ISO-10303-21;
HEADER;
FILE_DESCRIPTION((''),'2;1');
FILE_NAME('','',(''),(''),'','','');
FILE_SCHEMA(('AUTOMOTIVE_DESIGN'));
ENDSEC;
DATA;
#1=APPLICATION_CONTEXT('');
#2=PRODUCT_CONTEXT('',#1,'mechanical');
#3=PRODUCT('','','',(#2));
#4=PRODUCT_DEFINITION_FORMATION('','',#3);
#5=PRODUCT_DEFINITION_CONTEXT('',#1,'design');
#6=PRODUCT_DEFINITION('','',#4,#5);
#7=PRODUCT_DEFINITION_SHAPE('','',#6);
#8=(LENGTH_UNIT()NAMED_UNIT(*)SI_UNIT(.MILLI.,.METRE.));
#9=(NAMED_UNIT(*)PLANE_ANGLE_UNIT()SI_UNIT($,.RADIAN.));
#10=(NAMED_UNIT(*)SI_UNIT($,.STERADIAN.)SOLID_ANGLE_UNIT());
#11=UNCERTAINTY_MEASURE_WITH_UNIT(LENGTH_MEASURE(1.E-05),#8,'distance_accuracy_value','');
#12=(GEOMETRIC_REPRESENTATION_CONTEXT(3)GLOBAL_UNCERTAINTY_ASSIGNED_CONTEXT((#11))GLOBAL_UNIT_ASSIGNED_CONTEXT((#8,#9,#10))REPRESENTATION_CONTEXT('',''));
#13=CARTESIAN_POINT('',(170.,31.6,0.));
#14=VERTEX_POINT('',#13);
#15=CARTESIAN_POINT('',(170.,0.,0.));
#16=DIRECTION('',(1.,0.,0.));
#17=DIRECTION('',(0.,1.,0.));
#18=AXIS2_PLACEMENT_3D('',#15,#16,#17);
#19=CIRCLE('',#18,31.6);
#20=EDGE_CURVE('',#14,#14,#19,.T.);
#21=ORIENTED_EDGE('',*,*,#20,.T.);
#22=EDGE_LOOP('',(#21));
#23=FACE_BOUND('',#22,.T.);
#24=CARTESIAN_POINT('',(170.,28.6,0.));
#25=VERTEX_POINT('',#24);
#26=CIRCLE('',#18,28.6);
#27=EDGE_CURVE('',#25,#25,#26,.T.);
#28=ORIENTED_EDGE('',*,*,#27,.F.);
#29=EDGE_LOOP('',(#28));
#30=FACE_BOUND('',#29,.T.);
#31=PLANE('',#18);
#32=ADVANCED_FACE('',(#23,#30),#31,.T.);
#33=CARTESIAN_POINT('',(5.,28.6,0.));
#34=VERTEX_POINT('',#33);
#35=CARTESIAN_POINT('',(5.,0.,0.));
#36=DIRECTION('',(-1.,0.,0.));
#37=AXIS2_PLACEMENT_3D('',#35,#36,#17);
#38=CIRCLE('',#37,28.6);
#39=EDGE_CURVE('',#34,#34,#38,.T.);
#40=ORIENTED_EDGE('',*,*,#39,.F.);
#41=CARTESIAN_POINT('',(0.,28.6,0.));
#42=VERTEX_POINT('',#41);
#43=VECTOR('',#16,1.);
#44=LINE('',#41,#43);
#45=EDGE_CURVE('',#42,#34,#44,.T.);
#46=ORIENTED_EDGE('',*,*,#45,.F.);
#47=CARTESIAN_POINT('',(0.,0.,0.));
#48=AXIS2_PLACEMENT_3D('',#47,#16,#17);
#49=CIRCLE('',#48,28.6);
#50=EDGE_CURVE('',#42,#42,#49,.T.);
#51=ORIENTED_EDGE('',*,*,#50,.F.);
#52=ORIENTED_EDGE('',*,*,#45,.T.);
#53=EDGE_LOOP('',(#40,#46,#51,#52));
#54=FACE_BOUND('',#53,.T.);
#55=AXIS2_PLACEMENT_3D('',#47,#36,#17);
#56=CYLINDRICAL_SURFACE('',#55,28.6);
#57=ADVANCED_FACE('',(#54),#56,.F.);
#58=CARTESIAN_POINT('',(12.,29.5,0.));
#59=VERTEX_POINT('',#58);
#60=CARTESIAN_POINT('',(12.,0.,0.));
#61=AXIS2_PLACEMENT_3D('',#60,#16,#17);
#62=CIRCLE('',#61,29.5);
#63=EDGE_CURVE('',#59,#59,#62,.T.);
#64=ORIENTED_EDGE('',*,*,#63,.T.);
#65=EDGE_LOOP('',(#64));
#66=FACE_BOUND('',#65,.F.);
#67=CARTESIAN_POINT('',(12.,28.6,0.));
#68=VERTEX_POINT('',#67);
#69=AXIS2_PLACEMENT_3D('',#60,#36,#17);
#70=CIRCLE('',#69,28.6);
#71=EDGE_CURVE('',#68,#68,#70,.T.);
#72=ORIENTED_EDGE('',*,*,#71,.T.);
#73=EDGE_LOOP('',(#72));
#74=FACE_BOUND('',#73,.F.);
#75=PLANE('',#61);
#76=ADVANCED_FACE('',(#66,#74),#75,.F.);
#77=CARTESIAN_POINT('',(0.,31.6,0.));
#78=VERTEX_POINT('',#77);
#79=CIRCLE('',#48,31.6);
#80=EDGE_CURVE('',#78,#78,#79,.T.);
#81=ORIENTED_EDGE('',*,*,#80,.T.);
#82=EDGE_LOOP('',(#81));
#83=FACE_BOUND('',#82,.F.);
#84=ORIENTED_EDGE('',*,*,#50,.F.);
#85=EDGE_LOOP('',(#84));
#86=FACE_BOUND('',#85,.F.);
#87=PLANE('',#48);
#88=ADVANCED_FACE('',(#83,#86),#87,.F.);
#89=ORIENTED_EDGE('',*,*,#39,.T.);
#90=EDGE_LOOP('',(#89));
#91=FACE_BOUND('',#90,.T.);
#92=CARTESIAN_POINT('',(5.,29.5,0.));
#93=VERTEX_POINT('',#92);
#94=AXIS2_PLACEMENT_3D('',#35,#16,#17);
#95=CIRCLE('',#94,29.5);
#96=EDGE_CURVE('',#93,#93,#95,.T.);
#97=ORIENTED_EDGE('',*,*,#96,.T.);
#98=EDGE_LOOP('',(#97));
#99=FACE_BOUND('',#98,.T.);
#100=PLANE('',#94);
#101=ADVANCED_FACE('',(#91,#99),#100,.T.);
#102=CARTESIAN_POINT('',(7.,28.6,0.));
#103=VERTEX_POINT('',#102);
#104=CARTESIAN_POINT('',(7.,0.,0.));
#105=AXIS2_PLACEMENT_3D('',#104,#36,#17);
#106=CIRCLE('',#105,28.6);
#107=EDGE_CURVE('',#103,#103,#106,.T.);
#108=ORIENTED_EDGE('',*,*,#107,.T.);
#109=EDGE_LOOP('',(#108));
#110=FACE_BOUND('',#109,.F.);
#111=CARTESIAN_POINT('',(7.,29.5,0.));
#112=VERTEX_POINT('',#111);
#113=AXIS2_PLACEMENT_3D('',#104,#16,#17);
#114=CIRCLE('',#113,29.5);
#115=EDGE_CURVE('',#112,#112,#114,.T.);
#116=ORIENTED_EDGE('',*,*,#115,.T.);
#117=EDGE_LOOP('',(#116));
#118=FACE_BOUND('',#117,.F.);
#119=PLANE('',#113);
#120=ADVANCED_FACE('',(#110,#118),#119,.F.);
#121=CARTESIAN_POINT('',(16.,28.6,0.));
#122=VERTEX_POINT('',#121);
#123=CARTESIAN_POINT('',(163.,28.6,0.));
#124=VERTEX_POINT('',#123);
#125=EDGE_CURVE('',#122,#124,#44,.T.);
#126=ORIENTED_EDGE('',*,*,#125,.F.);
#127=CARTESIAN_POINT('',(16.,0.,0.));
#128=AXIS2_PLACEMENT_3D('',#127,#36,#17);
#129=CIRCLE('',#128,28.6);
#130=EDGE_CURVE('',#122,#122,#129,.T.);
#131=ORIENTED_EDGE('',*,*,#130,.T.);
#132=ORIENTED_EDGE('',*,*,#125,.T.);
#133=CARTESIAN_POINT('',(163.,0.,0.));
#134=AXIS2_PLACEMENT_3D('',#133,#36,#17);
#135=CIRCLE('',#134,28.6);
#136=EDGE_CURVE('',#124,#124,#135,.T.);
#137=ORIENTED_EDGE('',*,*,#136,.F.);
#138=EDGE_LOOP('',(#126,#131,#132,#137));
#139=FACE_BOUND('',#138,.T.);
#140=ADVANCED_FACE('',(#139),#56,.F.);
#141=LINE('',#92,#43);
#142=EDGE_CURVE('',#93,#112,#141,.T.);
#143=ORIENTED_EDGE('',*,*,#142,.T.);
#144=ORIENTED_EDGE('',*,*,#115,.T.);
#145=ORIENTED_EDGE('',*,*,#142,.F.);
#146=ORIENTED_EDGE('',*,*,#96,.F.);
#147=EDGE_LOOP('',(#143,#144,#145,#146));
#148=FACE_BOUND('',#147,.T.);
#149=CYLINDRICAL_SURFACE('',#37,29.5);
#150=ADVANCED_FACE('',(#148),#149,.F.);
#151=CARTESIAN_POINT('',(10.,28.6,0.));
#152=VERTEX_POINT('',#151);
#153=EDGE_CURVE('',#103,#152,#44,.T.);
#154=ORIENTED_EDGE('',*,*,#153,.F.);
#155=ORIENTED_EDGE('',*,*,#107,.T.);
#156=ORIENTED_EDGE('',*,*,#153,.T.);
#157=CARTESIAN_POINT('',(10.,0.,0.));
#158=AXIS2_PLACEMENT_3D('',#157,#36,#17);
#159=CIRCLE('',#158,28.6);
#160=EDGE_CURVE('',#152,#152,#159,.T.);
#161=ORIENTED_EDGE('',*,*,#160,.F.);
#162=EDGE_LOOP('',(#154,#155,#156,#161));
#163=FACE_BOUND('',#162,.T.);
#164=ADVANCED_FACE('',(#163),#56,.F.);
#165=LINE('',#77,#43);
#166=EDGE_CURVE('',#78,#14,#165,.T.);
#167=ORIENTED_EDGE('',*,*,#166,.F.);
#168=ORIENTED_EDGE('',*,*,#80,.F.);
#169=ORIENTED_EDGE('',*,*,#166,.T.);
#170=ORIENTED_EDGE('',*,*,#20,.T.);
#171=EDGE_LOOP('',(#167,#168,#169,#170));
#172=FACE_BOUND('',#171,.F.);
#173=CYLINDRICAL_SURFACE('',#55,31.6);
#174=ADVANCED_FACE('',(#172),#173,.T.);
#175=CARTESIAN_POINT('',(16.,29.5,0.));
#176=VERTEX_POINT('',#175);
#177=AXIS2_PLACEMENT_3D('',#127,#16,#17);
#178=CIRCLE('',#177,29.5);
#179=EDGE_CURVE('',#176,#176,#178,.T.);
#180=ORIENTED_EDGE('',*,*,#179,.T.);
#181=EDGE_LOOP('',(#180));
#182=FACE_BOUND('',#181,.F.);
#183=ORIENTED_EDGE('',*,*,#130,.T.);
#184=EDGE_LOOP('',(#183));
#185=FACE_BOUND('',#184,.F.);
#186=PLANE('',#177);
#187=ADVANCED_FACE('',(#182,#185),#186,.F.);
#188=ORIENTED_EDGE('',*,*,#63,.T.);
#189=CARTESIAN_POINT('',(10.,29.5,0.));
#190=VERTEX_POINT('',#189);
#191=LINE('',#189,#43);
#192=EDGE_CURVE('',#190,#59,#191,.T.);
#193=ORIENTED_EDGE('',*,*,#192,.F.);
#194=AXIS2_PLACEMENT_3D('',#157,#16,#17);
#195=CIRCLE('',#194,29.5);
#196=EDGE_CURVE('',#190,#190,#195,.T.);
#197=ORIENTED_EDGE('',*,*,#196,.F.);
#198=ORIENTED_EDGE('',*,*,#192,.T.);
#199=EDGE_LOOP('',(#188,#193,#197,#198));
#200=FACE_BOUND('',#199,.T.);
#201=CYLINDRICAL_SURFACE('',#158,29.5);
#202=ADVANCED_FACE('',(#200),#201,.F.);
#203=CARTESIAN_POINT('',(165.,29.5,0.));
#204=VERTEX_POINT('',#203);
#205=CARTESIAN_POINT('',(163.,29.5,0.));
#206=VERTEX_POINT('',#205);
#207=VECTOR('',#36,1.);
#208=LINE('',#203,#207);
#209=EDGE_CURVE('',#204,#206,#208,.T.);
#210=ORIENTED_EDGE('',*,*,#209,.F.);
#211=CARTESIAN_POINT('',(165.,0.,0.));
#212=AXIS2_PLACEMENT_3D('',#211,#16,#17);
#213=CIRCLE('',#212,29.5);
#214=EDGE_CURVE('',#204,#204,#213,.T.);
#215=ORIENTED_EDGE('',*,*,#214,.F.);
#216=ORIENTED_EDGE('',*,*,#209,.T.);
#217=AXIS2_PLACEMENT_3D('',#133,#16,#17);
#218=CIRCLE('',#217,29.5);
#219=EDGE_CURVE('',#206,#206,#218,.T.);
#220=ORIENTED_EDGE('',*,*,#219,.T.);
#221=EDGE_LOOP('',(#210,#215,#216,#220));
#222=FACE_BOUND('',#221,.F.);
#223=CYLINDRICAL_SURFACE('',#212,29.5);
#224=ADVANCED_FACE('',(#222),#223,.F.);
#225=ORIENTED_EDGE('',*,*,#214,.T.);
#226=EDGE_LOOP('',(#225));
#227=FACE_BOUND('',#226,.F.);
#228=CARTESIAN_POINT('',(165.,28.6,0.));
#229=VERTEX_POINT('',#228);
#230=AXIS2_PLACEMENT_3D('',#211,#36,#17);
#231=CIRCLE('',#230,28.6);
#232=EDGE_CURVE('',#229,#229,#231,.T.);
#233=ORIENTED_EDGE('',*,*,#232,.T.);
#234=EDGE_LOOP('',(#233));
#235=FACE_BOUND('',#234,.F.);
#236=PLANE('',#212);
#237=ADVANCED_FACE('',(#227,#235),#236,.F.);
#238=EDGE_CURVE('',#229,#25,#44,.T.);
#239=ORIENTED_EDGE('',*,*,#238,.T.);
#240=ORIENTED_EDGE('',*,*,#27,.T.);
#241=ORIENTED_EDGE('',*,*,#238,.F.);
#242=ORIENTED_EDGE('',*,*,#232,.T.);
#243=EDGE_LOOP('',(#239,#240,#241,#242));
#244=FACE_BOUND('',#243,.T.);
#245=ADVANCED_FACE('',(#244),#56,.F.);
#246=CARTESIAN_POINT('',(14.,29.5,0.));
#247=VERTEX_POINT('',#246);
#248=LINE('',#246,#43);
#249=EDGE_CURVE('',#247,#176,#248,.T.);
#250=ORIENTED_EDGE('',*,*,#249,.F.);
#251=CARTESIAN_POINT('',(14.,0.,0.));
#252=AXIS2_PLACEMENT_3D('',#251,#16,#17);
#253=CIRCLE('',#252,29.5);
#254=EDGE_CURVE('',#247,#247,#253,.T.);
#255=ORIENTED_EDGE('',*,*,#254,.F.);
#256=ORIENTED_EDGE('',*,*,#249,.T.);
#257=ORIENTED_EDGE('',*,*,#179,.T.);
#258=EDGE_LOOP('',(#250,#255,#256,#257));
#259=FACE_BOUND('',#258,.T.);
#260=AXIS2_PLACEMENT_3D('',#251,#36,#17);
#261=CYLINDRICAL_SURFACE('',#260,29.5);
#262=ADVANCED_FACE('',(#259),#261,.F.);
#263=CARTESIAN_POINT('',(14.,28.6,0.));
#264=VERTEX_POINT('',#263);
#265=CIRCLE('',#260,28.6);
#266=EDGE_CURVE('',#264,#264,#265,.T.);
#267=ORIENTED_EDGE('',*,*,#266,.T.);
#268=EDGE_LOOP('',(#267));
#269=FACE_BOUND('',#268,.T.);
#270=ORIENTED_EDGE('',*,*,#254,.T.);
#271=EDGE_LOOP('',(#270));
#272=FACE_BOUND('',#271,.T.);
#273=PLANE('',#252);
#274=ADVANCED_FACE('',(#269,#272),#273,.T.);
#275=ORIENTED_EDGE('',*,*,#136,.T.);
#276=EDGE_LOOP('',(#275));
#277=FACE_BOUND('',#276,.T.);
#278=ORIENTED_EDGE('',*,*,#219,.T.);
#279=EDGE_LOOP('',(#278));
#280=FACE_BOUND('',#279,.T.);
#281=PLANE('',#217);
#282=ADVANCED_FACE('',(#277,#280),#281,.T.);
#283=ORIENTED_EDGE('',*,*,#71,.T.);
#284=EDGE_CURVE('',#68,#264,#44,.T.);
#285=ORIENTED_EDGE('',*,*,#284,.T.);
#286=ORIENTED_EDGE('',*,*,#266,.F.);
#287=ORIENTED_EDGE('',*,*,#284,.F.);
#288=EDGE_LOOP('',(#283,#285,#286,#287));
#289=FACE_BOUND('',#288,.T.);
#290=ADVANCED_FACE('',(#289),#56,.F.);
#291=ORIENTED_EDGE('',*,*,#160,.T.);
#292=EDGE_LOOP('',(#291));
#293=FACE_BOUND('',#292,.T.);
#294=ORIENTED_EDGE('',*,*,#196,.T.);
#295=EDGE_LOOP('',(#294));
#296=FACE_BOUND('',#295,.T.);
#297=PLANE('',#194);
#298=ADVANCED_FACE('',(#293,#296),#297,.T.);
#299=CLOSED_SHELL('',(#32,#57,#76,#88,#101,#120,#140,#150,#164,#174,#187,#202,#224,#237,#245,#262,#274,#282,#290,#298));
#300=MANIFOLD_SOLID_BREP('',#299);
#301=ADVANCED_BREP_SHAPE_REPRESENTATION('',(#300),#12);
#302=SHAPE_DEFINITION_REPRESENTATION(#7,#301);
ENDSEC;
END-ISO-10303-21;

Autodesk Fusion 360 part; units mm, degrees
sketch "Sketch1" plane through (0, 0, 0) normal (1, 0, 0) x (0, 1, 0)
  circle A0 centre (0, 0) radius 28.6
  circle A1 centre (0, 0) radius 31.6
  dimension "d9" = 57.2
  dimension "d10" = 63.2
extrude "Extrude1" add sketch "Sketch1" along normal blind 170
ref_plane "WorkPlane1" through (5, 0, 0) normal (1, 0, 0) x (0, 1, 0)
sketch "Sketch2" plane through (5, 0, 0) normal (1, 0, 0) x (0, 1, 0)
  circle A0 centre (0, 0) radius 29.5
  dimension "d14" = 59
extrude "Extrude2" cut sketch "Sketch2" along normal blind 2
ref_plane "WorkPlane2" through (165, 0, 0) normal (1, 0, 0) x (0, 1, 0)
sketch "Sketch3" plane through (165, 0, 0) normal (1, 0, 0) x (0, 1, 0)
  circle A0 centre (0, 0) radius 29.5
  dimension "d18" = 59
extrude "Extrude3" cut sketch "Sketch3" against normal blind 2
sketch "Sketch4" plane through (0, 0, 0) normal (1, 0, 0) x (0, 1, 0)
ref_plane "WorkPlane4" through (0, 0, 0) normal (1, 0, 0) x (0, 1, 0)
ref_plane "WorkPlane5" through (10, 0, 0) normal (1, 0, 0) x (0, 1, 0)
sketch "Sketch5" plane through (10, 0, 0) normal (1, 0, 0) x (0, 1, 0)
  circle A0 centre (0, 0) radius 29.5
  dimension "d24" = 59
extrude "Extrude4" cut sketch "Sketch5" along normal blind 2
ref_plane "WorkPlane6" through (14, 0, 0) normal (1, 0, 0) x (0, 1, 0)
sketch "Sketch6" plane through (14, 0, 0) normal (1, 0, 0) x (0, 1, 0)
  circle A0 centre (0, 0) radius 29.5
  dimension "d28" = 59
extrude "Extrude5" cut sketch "Sketch6" along normal blind 2
